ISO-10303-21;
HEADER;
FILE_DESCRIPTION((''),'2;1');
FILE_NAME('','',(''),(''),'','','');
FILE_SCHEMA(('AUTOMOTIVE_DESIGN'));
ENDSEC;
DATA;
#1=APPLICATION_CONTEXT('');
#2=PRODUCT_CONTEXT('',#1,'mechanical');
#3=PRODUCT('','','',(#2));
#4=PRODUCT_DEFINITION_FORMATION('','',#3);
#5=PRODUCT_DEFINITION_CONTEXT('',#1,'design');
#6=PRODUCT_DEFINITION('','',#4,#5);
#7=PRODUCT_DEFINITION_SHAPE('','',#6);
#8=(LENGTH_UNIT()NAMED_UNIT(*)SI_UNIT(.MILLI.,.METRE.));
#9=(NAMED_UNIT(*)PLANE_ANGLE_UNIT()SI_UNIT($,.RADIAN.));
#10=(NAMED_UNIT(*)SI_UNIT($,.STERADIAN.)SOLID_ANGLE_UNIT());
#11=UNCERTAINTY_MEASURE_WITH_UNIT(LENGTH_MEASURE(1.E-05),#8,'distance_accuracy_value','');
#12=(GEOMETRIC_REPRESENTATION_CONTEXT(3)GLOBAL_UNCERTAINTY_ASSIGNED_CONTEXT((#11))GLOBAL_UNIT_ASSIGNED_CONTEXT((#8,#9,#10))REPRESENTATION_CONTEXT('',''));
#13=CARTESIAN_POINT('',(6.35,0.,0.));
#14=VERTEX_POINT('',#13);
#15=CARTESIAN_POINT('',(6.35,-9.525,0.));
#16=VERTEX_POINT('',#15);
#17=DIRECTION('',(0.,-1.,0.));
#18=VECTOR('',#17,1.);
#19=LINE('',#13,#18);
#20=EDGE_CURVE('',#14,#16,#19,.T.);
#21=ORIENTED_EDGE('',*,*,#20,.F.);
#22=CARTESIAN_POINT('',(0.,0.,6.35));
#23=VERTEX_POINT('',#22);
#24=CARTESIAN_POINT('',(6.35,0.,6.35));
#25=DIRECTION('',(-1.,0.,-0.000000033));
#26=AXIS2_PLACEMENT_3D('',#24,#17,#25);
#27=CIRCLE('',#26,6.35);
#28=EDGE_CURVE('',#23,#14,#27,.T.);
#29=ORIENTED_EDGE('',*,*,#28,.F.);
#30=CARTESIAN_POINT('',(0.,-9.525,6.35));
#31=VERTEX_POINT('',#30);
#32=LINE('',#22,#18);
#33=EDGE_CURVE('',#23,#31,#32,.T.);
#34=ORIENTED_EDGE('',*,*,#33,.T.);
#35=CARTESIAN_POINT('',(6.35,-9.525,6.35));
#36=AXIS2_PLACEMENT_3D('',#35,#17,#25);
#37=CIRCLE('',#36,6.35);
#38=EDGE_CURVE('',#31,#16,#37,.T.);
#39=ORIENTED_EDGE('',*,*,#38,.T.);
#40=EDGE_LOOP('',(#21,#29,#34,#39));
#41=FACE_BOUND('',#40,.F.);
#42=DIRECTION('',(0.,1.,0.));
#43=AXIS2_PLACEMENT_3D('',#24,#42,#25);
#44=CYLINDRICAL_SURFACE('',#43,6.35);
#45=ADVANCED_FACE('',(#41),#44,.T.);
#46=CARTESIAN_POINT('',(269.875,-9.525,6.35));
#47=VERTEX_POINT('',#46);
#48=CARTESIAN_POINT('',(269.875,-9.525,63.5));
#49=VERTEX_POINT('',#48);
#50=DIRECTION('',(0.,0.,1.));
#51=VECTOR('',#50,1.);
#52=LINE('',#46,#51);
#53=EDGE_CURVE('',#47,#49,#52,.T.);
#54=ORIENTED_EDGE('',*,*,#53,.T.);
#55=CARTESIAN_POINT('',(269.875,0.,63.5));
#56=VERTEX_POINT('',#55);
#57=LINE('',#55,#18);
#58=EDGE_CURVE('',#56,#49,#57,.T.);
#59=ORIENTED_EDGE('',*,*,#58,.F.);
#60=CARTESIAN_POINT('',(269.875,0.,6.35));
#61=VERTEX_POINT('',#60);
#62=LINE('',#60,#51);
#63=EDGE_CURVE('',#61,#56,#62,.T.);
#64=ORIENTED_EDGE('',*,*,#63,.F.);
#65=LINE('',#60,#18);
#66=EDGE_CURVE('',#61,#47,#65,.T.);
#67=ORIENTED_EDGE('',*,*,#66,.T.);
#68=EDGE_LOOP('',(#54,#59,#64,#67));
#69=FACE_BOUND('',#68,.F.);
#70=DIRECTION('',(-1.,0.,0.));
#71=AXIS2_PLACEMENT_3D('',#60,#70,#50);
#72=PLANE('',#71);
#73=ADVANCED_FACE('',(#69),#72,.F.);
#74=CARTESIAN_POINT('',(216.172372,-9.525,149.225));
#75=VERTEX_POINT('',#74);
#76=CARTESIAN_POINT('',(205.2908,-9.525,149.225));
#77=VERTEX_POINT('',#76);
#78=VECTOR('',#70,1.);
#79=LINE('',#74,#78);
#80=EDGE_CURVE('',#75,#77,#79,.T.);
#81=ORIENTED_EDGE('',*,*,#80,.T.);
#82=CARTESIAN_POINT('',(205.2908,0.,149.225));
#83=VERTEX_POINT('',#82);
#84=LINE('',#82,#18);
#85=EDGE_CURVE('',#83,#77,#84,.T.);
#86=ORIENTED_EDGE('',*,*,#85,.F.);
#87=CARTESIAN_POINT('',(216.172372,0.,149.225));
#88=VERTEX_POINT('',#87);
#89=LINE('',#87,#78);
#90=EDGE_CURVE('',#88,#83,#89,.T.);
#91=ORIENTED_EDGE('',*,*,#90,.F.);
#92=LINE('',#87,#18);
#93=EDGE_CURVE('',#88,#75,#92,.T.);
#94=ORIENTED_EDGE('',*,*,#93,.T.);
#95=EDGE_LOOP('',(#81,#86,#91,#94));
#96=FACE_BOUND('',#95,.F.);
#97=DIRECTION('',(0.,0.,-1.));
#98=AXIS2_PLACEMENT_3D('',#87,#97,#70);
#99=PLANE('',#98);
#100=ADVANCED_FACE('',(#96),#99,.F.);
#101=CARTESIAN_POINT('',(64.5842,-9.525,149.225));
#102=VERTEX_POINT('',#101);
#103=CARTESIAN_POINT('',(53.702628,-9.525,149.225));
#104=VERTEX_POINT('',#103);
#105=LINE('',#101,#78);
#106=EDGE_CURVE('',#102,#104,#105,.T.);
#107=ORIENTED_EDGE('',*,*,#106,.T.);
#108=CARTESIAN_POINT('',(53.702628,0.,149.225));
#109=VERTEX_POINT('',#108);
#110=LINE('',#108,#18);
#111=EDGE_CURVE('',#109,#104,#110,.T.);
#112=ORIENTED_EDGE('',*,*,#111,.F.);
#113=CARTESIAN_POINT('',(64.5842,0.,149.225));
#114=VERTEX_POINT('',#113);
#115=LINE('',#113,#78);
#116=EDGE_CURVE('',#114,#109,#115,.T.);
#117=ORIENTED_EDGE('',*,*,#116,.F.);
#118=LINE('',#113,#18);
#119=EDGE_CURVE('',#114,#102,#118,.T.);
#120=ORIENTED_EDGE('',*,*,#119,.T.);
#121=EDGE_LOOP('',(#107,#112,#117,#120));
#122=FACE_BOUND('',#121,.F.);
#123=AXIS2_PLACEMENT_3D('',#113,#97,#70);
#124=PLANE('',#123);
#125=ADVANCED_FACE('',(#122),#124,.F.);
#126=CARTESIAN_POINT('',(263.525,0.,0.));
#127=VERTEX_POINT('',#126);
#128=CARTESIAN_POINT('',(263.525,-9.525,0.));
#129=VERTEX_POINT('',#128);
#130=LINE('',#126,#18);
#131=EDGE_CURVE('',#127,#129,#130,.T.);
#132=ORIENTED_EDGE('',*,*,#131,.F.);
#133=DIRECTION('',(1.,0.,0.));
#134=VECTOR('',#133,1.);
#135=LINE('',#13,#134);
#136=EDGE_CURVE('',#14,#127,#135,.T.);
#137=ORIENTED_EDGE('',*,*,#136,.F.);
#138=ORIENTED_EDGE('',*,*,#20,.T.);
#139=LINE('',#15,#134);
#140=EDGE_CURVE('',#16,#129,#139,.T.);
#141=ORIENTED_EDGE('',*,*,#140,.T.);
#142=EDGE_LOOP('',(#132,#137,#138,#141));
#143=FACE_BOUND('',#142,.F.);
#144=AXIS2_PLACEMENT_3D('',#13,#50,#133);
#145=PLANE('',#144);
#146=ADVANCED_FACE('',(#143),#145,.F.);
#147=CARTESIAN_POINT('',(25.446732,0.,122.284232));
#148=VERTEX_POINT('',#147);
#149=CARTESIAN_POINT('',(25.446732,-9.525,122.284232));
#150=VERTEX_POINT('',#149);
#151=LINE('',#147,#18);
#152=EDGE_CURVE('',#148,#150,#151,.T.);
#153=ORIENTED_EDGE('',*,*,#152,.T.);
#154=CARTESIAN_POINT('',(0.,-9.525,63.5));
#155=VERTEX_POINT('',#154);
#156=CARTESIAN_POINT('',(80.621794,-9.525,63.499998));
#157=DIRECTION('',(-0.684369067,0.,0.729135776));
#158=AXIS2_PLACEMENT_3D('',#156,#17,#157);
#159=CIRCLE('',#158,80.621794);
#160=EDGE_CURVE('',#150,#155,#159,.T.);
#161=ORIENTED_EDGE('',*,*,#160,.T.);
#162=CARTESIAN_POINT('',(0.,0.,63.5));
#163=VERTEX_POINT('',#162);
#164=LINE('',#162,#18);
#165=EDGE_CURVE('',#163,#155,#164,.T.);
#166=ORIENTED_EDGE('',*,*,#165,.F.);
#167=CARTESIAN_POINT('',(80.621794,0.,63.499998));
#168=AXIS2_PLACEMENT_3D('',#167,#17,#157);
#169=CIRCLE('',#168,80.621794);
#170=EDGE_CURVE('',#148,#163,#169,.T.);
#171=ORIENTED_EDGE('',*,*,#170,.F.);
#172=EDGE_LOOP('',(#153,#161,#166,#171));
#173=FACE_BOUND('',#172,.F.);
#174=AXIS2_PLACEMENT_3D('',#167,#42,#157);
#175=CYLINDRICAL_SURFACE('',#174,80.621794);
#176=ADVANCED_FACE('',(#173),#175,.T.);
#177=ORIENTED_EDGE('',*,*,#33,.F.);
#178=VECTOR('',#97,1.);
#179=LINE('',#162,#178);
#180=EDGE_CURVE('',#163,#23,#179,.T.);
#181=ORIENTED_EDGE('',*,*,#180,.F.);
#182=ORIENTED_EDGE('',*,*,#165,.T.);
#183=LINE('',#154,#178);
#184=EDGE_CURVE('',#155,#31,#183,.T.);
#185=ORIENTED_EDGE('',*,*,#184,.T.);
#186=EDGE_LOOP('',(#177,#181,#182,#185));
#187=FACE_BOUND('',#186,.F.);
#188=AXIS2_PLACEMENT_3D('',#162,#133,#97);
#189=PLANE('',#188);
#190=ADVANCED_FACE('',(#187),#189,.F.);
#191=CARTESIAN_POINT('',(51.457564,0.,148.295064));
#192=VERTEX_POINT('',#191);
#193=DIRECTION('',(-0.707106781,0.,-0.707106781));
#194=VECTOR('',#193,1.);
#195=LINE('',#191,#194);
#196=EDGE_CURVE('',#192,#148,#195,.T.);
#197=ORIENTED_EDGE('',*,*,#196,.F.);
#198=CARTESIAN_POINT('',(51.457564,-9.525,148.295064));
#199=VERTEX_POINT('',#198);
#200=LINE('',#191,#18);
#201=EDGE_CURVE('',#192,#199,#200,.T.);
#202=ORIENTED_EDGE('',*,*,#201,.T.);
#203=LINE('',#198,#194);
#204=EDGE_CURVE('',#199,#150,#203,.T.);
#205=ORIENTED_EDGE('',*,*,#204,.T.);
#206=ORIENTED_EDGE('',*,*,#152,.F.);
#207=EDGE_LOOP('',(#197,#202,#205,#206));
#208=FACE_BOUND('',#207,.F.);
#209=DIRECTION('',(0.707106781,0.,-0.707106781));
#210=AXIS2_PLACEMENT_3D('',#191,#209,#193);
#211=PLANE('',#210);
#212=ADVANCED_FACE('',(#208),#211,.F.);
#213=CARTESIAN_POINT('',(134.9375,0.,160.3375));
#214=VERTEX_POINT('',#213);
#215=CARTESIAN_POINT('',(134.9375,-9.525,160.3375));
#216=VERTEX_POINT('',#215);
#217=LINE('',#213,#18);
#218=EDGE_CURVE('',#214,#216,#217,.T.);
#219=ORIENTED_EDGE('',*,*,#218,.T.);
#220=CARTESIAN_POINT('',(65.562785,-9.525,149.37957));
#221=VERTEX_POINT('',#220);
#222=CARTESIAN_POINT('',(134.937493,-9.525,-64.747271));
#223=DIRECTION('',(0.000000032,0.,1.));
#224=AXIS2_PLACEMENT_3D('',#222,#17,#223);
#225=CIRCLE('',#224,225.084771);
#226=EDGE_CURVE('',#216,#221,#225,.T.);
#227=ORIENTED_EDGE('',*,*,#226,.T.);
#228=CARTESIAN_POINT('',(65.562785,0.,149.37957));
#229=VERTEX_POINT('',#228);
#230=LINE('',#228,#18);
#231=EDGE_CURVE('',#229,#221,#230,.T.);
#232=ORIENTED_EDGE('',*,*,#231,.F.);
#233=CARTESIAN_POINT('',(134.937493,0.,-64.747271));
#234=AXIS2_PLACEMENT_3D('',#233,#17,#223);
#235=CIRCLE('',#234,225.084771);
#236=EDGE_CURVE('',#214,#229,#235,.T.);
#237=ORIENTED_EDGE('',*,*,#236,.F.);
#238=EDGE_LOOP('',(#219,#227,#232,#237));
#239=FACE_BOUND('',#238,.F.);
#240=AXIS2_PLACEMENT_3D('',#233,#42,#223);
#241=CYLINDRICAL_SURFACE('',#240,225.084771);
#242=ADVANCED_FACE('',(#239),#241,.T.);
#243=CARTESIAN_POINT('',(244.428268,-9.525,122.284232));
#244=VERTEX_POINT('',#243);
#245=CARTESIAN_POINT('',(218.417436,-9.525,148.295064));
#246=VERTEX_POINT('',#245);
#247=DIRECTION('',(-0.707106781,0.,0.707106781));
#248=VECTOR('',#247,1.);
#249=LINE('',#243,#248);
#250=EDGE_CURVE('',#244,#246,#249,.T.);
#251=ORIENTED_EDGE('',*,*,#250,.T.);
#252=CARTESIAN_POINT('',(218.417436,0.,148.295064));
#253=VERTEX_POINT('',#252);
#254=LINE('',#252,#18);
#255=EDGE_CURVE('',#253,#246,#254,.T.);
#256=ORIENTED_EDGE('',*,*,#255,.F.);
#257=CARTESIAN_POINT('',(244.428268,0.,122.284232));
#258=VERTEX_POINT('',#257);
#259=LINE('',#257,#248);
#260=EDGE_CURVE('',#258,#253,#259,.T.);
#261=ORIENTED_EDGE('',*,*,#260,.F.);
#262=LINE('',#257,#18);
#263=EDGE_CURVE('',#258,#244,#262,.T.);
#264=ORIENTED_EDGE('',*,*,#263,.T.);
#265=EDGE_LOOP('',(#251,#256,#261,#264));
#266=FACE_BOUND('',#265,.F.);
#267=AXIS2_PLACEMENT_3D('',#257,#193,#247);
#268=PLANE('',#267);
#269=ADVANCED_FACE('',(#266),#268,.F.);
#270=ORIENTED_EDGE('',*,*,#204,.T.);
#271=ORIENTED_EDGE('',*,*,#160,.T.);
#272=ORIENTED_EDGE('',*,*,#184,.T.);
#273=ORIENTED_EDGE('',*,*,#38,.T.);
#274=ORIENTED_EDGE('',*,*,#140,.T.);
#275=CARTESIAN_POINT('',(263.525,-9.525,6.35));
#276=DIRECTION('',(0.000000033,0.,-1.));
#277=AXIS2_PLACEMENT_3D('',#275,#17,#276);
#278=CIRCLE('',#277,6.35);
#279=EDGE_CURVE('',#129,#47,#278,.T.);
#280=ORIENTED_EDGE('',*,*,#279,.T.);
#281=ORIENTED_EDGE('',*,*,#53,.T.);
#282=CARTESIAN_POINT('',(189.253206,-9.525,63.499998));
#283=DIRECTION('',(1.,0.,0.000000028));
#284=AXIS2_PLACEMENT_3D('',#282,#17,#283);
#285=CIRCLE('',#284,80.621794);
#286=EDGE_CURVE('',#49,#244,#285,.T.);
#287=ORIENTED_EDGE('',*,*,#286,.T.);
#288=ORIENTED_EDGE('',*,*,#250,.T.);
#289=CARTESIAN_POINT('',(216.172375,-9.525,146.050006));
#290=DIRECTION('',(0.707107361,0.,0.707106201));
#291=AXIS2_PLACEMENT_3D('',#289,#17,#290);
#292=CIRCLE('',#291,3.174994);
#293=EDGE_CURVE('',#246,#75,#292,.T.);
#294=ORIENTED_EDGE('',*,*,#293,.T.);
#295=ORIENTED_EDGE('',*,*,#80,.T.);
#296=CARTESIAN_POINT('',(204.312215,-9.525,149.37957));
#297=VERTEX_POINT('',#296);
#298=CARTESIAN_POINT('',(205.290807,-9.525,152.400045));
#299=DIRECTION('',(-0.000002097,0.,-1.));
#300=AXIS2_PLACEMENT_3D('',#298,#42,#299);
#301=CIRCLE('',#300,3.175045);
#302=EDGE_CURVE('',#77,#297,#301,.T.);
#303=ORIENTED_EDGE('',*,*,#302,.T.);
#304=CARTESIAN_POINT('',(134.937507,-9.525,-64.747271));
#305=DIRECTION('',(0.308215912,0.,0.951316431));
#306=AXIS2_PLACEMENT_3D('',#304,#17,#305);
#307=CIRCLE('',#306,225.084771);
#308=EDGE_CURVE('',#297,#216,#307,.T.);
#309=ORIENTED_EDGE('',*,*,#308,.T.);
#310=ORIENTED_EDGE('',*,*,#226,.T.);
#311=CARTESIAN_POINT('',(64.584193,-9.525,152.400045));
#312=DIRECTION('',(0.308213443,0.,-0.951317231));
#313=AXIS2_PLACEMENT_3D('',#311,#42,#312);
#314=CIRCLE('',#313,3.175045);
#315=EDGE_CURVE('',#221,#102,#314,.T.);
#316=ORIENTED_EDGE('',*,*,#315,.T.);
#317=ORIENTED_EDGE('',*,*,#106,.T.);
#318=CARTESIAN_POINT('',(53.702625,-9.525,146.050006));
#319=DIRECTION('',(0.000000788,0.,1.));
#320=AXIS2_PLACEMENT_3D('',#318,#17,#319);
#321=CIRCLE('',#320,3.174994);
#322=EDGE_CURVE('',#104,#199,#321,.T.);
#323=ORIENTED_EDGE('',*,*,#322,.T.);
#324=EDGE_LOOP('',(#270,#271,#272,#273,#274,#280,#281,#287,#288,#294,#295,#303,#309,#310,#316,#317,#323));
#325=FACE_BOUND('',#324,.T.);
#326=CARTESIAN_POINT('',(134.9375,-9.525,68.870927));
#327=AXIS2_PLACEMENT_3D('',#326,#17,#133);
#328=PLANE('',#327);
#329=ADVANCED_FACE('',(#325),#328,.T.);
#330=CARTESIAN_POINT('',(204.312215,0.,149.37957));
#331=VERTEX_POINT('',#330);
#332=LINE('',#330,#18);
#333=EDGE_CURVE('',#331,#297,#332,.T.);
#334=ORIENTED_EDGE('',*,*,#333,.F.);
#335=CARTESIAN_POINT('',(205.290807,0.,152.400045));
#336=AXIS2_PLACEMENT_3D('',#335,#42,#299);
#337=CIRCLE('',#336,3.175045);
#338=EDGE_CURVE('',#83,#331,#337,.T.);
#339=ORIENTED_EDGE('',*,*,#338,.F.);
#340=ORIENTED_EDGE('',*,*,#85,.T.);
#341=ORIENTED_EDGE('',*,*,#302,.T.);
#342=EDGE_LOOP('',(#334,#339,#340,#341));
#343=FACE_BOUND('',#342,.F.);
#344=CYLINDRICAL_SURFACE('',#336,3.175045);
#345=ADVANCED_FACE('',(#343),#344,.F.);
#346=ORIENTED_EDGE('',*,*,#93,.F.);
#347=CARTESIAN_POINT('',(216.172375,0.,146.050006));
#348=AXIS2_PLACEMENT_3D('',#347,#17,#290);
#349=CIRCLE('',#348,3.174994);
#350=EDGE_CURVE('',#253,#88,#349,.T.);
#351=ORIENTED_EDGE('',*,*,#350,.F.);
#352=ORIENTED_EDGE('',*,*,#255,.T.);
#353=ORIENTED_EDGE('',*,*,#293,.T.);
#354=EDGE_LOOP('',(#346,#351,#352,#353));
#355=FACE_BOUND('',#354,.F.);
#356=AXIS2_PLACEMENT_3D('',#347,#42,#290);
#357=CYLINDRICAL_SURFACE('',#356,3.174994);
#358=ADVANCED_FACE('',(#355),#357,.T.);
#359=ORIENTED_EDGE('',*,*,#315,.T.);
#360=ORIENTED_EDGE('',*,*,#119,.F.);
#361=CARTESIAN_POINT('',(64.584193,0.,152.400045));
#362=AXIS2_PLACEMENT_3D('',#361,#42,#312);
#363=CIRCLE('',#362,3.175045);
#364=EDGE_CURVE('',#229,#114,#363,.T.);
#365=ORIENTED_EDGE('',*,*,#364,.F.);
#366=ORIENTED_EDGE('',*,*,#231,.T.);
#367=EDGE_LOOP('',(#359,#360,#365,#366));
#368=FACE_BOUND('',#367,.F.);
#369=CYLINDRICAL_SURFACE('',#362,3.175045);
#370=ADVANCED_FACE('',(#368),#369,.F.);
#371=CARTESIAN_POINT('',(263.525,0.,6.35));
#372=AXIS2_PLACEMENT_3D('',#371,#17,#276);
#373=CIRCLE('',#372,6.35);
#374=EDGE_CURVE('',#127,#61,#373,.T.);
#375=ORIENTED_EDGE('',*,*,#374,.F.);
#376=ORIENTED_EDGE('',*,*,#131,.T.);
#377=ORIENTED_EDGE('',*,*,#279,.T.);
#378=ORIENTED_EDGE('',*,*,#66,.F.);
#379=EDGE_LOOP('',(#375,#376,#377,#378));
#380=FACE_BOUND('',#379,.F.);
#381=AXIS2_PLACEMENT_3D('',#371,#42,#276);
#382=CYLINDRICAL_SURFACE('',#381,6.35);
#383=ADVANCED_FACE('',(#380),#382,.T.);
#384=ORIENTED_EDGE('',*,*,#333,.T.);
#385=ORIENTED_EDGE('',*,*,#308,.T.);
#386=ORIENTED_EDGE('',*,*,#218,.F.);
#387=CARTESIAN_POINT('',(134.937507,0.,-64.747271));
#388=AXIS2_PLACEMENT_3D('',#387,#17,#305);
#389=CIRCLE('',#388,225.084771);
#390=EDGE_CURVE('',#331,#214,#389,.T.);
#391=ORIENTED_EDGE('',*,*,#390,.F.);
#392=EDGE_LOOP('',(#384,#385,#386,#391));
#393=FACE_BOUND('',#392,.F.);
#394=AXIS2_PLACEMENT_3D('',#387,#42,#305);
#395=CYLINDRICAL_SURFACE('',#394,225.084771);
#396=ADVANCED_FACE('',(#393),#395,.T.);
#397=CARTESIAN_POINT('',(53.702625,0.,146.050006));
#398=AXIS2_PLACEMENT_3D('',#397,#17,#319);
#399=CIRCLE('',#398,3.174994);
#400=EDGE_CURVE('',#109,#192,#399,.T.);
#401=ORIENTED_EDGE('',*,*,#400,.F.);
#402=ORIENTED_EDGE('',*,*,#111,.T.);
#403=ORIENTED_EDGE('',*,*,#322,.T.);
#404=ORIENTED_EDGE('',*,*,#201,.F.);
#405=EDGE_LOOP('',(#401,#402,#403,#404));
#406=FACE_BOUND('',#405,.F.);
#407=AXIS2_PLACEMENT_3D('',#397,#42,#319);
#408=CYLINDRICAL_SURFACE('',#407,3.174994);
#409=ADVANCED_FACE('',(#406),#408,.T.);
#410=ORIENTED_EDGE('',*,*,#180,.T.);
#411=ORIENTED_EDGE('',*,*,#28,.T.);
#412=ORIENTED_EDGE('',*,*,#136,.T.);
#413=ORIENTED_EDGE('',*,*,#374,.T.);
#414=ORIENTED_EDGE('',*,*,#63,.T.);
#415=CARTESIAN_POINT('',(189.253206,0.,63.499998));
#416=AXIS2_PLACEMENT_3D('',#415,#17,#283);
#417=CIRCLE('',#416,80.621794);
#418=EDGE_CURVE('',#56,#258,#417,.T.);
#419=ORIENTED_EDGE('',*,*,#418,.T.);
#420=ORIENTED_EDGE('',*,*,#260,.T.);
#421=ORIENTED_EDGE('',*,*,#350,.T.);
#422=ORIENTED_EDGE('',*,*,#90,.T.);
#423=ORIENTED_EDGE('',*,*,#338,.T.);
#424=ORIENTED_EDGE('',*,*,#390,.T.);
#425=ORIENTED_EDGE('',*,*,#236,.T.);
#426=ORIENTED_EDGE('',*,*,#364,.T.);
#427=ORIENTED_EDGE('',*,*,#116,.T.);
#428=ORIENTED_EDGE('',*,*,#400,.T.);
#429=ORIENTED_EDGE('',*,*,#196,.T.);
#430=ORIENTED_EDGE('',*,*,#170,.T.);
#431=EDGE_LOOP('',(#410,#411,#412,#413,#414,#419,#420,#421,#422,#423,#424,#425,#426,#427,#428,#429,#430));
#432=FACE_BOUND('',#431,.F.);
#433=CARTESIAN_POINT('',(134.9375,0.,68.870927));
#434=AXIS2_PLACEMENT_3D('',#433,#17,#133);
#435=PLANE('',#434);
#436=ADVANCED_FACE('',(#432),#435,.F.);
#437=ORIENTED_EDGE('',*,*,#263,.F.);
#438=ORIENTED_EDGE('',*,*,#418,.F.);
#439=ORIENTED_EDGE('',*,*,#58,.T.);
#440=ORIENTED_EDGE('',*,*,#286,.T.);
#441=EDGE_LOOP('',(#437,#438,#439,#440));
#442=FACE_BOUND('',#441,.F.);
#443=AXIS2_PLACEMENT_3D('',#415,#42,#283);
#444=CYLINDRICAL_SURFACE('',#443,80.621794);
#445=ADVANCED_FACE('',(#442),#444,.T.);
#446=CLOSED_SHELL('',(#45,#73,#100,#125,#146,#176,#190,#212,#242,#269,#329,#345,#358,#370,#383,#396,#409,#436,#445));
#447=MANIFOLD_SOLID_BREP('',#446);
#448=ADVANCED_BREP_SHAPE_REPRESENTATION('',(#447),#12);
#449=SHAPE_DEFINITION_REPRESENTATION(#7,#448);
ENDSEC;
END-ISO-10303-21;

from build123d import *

# Parameters (mm, degrees)
F1_DEPTH = 9.525


with BuildPart() as f1:
    # F0 (on Front) → F1 (new body)
    with BuildSketch(Plane.XZ):
        with BuildLine():
            ThreePointArc((0, 6.35), (1.859872, 1.859872), (6.35, 0))
            Line((6.35, 0), (134.9375, 0))
            Line((134.9375, 0), (263.525, 0))
            ThreePointArc((263.525, 0), (268.015128, 1.859872), (269.875, 6.35))
            Line((269.875, 6.35), (269.875, 63.5))
            ThreePointArc((269.875, 63.5), (263.24032, 95.527808), (244.428268, 122.284232))
            Line((244.428268, 122.284232), (218.417436, 148.295064))
            ThreePointArc((218.417436, 148.295064), (217.387392, 148.983318), (216.172372, 149.225))
            Line((216.172372, 149.225), (205.2908, 149.225))
            ThreePointArc((205.2908, 149.225), (204.795442, 149.263881), (204.312215, 149.37957))
            ThreePointArc((204.312215, 149.37957), (170.054901, 157.581141), (134.9375, 160.3375))
            ThreePointArc((134.9375, 160.3375), (99.820099, 157.581141), (65.562785, 149.37957))
            ThreePointArc((65.562785, 149.37957), (65.079558, 149.263881), (64.5842, 149.225))
            Line((64.5842, 149.225), (53.702628, 149.225))
            ThreePointArc((53.702628, 149.225), (52.487608, 148.983318), (51.457564, 148.295064))
            Line((51.457564, 148.295064), (25.446732, 122.284232))
            ThreePointArc((25.446732, 122.284232), (6.63468, 95.527808), (0, 63.5))
            Line((0, 63.5), (0, 6.35))
        make_face()
    extrude(amount=F1_DEPTH)


solid = f1.part
